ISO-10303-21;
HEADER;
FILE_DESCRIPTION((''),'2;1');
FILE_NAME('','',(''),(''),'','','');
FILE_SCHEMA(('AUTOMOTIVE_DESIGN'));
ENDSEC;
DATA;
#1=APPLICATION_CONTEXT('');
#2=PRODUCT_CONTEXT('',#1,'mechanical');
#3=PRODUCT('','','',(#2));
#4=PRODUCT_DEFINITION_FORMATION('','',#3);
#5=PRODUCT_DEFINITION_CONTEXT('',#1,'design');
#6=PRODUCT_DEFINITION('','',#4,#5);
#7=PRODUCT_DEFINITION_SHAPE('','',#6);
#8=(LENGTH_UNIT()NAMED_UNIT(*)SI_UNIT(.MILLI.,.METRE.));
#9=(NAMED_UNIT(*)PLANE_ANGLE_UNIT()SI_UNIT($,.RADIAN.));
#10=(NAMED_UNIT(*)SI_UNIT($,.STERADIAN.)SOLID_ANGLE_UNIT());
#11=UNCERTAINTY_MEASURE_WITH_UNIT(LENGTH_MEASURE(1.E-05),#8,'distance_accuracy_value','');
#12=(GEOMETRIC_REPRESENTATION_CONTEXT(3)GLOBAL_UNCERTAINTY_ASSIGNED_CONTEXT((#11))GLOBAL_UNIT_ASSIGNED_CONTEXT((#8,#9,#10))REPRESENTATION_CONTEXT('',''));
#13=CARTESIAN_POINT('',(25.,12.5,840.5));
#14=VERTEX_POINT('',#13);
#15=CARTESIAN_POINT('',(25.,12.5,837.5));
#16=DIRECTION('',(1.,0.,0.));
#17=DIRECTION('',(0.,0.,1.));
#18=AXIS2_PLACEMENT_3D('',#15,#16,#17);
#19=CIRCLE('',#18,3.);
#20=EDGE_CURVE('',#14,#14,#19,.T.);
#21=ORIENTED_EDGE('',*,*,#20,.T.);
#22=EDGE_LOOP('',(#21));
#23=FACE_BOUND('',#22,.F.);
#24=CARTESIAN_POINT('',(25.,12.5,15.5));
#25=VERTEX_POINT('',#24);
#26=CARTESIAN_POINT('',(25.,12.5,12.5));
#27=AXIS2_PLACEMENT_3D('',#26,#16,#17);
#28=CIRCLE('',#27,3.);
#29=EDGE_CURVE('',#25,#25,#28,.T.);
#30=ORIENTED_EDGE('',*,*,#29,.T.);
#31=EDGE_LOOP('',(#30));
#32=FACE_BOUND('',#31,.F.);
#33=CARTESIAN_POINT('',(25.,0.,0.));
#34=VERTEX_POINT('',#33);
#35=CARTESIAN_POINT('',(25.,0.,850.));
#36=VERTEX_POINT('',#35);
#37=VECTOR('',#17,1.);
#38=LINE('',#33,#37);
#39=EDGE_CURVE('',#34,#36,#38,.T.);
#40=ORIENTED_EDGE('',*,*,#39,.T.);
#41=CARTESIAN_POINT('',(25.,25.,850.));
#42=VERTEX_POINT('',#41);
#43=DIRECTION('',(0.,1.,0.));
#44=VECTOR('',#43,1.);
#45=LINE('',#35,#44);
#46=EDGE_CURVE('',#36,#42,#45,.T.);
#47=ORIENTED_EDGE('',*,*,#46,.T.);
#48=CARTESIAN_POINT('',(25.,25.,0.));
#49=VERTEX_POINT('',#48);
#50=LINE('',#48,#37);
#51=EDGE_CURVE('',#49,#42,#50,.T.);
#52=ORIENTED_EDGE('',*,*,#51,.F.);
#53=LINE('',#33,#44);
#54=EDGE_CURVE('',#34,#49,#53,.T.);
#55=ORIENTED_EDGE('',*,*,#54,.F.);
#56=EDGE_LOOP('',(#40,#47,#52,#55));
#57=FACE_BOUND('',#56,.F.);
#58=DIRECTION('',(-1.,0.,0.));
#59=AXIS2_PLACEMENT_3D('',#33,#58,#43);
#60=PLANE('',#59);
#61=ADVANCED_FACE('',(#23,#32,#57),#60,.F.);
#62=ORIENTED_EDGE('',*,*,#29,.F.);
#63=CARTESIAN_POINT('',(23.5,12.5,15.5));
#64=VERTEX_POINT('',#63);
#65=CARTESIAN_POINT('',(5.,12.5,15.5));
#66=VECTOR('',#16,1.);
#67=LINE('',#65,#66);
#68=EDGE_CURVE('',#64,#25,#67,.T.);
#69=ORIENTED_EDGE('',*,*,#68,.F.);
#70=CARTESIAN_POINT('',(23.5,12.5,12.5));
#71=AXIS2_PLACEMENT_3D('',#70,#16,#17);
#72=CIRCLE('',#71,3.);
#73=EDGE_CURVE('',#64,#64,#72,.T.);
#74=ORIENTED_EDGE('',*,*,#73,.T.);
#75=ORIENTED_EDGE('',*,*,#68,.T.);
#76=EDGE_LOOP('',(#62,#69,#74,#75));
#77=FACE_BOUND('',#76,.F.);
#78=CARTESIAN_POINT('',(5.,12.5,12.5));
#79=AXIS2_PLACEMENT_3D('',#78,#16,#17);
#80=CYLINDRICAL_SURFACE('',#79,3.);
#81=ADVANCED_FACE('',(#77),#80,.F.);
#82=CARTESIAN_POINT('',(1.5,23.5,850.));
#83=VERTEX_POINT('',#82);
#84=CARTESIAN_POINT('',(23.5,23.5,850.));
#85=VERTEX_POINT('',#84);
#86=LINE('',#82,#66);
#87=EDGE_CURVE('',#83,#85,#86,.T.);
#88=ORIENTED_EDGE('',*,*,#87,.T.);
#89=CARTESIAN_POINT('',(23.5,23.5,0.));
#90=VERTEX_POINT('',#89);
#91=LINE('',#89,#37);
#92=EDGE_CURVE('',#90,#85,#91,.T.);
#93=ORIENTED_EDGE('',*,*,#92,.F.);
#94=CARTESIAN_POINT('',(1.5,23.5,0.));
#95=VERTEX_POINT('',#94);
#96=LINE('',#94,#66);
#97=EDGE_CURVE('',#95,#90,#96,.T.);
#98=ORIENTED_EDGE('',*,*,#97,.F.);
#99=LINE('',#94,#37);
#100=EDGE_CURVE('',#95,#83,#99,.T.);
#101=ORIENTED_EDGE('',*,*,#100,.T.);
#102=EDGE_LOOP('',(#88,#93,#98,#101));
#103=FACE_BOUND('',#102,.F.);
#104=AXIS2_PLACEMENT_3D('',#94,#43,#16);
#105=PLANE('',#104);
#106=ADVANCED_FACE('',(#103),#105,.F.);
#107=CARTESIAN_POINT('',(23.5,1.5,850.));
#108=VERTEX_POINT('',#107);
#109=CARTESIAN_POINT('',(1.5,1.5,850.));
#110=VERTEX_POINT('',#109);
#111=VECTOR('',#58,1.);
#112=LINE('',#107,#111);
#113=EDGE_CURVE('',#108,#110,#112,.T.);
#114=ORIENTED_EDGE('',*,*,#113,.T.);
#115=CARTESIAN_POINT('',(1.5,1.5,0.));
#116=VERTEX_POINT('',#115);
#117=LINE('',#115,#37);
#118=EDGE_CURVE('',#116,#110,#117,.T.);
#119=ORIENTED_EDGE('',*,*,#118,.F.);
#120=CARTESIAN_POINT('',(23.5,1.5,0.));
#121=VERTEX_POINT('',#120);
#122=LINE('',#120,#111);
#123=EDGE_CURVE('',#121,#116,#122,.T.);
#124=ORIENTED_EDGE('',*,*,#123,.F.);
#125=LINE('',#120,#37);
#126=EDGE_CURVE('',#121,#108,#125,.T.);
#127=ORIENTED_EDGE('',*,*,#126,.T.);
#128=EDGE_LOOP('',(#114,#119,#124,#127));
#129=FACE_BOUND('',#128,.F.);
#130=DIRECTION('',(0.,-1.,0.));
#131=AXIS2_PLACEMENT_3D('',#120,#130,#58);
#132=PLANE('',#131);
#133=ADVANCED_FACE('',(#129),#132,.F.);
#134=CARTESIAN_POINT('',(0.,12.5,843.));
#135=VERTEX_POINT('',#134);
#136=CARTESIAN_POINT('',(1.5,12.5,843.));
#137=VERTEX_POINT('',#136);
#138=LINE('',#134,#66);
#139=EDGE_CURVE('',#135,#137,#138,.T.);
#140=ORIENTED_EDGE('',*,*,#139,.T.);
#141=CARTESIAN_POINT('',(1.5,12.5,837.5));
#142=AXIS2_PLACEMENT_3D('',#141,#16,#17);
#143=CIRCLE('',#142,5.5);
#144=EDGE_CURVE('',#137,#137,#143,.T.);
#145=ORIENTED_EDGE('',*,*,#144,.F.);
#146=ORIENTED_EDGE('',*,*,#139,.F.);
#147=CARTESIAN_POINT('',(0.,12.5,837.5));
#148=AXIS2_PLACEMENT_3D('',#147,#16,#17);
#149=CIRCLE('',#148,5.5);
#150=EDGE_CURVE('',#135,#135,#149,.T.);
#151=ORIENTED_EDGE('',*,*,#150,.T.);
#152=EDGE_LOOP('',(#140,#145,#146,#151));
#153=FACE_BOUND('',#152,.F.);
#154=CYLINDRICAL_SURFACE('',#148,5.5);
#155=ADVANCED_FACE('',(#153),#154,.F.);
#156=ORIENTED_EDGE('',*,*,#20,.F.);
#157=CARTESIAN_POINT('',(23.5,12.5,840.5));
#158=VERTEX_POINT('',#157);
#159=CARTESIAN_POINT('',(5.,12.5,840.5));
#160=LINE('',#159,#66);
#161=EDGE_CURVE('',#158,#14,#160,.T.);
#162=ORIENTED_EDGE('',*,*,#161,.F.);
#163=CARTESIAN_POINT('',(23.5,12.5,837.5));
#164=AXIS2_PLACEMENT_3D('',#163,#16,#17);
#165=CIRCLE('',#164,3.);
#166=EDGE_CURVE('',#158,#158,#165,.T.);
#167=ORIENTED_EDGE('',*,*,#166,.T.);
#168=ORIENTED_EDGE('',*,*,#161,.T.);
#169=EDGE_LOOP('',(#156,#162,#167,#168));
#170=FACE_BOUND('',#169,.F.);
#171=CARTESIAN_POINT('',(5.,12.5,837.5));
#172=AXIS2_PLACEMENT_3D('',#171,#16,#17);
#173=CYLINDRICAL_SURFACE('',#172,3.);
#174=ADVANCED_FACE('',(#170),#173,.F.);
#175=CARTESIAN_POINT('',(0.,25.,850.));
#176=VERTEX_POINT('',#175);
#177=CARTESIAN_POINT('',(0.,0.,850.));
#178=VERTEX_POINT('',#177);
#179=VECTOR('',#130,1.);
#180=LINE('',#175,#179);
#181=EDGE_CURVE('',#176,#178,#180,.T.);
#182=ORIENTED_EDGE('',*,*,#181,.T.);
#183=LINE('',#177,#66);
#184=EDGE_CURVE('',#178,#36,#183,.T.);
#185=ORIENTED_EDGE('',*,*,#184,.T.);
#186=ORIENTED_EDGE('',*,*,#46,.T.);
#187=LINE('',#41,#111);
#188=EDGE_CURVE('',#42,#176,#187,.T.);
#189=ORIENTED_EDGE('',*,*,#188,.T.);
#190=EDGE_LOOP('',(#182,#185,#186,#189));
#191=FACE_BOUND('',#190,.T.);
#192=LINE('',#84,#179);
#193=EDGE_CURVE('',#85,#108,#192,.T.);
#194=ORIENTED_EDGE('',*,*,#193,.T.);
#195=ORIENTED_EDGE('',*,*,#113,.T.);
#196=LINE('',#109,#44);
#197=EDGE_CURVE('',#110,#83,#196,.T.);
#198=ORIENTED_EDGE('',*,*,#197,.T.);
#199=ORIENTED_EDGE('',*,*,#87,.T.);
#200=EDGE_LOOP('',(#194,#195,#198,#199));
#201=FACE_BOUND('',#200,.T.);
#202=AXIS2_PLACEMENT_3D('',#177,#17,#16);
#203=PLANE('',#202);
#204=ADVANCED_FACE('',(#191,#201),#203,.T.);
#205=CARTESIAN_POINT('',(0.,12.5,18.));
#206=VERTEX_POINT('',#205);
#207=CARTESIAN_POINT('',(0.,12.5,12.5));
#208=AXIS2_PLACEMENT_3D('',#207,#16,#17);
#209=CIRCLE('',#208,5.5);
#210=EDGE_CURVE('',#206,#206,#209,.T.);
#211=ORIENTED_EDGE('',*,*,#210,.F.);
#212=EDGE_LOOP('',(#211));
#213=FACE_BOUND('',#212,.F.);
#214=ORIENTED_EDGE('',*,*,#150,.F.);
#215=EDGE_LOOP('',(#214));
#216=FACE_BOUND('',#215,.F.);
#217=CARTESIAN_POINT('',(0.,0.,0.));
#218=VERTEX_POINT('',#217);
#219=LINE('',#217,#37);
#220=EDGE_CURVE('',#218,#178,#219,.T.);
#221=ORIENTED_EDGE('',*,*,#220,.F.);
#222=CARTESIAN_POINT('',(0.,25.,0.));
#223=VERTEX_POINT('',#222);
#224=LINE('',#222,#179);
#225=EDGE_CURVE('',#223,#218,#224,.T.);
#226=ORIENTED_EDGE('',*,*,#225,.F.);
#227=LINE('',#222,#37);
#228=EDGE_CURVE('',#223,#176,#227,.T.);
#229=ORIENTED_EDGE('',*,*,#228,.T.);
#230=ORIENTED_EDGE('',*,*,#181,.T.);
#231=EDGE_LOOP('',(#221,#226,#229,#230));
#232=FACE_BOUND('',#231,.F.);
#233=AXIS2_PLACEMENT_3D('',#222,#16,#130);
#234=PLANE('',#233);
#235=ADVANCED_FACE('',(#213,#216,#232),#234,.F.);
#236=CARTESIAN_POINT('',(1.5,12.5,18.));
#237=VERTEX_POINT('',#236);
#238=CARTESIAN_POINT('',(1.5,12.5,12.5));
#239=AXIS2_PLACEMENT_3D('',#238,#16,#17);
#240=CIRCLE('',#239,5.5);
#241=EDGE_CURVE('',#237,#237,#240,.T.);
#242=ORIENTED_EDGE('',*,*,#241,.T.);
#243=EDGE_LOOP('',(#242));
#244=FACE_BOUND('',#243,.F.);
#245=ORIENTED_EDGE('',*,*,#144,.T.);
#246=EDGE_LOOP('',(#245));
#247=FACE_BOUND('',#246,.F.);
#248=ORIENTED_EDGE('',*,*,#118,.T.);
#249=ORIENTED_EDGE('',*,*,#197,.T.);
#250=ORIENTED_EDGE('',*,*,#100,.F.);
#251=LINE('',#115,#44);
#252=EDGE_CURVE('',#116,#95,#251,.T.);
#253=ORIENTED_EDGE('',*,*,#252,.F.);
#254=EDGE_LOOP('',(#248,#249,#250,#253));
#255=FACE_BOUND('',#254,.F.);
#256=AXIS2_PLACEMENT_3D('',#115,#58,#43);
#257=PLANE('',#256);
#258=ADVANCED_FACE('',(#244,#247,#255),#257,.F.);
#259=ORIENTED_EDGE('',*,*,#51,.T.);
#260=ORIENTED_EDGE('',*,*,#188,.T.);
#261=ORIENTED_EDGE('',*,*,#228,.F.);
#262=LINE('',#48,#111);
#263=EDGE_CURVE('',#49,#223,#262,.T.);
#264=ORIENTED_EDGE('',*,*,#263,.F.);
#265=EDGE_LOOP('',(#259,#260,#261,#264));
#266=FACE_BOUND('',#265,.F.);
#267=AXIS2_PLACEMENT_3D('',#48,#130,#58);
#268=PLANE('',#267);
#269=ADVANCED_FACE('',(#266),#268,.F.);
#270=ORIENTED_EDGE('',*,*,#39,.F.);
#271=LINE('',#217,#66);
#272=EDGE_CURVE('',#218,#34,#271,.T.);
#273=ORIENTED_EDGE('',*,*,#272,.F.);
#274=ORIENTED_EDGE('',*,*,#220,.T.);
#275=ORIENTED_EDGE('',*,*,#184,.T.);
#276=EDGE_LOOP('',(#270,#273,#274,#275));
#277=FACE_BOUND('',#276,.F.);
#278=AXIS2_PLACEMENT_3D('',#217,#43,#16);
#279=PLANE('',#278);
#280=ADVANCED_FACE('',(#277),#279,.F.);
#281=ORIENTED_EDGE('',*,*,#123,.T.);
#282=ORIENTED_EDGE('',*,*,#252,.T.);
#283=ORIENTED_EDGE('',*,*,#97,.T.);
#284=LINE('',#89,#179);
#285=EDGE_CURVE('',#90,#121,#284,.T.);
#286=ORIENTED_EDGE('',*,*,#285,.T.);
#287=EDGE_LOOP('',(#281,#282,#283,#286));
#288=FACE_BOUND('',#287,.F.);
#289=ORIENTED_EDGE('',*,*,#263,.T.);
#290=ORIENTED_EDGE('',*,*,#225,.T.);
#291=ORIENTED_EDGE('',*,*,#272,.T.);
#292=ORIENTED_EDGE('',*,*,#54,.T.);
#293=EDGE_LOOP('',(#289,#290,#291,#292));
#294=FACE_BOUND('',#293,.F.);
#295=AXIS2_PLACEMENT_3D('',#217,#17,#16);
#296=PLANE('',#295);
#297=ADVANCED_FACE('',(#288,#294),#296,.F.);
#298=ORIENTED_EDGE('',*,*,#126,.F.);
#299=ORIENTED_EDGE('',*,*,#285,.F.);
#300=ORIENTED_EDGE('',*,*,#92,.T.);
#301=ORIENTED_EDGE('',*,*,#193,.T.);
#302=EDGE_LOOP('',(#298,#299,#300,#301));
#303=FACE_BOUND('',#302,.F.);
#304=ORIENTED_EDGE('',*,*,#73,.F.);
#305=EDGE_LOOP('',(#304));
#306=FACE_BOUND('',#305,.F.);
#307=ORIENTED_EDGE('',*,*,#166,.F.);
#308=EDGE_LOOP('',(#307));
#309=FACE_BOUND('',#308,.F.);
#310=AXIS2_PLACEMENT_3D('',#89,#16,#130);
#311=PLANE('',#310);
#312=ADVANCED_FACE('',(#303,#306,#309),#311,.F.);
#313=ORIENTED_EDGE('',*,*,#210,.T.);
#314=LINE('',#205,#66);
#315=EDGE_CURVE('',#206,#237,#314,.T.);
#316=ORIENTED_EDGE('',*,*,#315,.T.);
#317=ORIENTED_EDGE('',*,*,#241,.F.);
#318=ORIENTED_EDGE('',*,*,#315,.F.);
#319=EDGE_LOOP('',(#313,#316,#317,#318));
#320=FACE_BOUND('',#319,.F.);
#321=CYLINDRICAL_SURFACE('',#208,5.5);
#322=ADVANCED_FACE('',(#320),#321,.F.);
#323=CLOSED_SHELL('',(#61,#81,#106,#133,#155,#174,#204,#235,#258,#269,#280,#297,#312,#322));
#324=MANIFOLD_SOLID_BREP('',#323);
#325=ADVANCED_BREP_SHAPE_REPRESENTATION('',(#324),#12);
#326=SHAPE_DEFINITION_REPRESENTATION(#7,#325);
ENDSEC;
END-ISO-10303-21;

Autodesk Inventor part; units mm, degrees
ref_plane "YZ Plane" through (0, 0, 0) normal (1, 0, 0) x (0, 1, 0)
ref_plane "XZ Plane" through (0, 0, 0) normal (0, 1, 0) x (-1, 0, 0)
ref_plane "XY Plane" through (0, 0, 0) normal (0, 0, 1) x (1, 0, 0)
sketch "Sketch1" plane through (0, 0, 0) normal (0, 0, 1) x (1, 0, 0)
  line L0 (0, 0) -> (25, 0)
  line L1 (25, 0) -> (25, 25)
  line L2 (25, 25) -> (0, 25)
  line L3 (0, 25) -> (0, 0)
  line L4 (23.5, 23.5) -> (23.5, 1.5)
  line L5 (23.5, 1.5) -> (1.5, 1.5)
  line L6 (1.5, 1.5) -> (1.5, 23.5)
  line L7 (1.5, 23.5) -> (23.5, 23.5)
  dimension "d0" = 25
  dimension "d1" = 25
  dimension "d2" = 1.5
extrude "Extrusion1" add sketch "Sketch1" along normal blind 850
sketch "Sketch2" plane through (0, 0, 0) normal (1, 0, 0) x (0, 0, -1)
  line L0 (0, 0) -> (0, 25) projected
  line L1 (-850, 0) -> (-850, 25) projected
  point P0 (-837.5, 12.5)
  point P1 (-12.5, 12.5)
  dimension "d5" = 12.5
  dimension "d6" = 12.5
  dimension "d7" = 12.5
hole "Hole1" at (0, 12.5, 837.5) at (0, 12.5, 12.5) direction (1, 0, 0) diameter 6 end through all counterbore diameter 11 counterbore depth 5
equation "\"d6\" = d5"
properties part number "Side Bar"
